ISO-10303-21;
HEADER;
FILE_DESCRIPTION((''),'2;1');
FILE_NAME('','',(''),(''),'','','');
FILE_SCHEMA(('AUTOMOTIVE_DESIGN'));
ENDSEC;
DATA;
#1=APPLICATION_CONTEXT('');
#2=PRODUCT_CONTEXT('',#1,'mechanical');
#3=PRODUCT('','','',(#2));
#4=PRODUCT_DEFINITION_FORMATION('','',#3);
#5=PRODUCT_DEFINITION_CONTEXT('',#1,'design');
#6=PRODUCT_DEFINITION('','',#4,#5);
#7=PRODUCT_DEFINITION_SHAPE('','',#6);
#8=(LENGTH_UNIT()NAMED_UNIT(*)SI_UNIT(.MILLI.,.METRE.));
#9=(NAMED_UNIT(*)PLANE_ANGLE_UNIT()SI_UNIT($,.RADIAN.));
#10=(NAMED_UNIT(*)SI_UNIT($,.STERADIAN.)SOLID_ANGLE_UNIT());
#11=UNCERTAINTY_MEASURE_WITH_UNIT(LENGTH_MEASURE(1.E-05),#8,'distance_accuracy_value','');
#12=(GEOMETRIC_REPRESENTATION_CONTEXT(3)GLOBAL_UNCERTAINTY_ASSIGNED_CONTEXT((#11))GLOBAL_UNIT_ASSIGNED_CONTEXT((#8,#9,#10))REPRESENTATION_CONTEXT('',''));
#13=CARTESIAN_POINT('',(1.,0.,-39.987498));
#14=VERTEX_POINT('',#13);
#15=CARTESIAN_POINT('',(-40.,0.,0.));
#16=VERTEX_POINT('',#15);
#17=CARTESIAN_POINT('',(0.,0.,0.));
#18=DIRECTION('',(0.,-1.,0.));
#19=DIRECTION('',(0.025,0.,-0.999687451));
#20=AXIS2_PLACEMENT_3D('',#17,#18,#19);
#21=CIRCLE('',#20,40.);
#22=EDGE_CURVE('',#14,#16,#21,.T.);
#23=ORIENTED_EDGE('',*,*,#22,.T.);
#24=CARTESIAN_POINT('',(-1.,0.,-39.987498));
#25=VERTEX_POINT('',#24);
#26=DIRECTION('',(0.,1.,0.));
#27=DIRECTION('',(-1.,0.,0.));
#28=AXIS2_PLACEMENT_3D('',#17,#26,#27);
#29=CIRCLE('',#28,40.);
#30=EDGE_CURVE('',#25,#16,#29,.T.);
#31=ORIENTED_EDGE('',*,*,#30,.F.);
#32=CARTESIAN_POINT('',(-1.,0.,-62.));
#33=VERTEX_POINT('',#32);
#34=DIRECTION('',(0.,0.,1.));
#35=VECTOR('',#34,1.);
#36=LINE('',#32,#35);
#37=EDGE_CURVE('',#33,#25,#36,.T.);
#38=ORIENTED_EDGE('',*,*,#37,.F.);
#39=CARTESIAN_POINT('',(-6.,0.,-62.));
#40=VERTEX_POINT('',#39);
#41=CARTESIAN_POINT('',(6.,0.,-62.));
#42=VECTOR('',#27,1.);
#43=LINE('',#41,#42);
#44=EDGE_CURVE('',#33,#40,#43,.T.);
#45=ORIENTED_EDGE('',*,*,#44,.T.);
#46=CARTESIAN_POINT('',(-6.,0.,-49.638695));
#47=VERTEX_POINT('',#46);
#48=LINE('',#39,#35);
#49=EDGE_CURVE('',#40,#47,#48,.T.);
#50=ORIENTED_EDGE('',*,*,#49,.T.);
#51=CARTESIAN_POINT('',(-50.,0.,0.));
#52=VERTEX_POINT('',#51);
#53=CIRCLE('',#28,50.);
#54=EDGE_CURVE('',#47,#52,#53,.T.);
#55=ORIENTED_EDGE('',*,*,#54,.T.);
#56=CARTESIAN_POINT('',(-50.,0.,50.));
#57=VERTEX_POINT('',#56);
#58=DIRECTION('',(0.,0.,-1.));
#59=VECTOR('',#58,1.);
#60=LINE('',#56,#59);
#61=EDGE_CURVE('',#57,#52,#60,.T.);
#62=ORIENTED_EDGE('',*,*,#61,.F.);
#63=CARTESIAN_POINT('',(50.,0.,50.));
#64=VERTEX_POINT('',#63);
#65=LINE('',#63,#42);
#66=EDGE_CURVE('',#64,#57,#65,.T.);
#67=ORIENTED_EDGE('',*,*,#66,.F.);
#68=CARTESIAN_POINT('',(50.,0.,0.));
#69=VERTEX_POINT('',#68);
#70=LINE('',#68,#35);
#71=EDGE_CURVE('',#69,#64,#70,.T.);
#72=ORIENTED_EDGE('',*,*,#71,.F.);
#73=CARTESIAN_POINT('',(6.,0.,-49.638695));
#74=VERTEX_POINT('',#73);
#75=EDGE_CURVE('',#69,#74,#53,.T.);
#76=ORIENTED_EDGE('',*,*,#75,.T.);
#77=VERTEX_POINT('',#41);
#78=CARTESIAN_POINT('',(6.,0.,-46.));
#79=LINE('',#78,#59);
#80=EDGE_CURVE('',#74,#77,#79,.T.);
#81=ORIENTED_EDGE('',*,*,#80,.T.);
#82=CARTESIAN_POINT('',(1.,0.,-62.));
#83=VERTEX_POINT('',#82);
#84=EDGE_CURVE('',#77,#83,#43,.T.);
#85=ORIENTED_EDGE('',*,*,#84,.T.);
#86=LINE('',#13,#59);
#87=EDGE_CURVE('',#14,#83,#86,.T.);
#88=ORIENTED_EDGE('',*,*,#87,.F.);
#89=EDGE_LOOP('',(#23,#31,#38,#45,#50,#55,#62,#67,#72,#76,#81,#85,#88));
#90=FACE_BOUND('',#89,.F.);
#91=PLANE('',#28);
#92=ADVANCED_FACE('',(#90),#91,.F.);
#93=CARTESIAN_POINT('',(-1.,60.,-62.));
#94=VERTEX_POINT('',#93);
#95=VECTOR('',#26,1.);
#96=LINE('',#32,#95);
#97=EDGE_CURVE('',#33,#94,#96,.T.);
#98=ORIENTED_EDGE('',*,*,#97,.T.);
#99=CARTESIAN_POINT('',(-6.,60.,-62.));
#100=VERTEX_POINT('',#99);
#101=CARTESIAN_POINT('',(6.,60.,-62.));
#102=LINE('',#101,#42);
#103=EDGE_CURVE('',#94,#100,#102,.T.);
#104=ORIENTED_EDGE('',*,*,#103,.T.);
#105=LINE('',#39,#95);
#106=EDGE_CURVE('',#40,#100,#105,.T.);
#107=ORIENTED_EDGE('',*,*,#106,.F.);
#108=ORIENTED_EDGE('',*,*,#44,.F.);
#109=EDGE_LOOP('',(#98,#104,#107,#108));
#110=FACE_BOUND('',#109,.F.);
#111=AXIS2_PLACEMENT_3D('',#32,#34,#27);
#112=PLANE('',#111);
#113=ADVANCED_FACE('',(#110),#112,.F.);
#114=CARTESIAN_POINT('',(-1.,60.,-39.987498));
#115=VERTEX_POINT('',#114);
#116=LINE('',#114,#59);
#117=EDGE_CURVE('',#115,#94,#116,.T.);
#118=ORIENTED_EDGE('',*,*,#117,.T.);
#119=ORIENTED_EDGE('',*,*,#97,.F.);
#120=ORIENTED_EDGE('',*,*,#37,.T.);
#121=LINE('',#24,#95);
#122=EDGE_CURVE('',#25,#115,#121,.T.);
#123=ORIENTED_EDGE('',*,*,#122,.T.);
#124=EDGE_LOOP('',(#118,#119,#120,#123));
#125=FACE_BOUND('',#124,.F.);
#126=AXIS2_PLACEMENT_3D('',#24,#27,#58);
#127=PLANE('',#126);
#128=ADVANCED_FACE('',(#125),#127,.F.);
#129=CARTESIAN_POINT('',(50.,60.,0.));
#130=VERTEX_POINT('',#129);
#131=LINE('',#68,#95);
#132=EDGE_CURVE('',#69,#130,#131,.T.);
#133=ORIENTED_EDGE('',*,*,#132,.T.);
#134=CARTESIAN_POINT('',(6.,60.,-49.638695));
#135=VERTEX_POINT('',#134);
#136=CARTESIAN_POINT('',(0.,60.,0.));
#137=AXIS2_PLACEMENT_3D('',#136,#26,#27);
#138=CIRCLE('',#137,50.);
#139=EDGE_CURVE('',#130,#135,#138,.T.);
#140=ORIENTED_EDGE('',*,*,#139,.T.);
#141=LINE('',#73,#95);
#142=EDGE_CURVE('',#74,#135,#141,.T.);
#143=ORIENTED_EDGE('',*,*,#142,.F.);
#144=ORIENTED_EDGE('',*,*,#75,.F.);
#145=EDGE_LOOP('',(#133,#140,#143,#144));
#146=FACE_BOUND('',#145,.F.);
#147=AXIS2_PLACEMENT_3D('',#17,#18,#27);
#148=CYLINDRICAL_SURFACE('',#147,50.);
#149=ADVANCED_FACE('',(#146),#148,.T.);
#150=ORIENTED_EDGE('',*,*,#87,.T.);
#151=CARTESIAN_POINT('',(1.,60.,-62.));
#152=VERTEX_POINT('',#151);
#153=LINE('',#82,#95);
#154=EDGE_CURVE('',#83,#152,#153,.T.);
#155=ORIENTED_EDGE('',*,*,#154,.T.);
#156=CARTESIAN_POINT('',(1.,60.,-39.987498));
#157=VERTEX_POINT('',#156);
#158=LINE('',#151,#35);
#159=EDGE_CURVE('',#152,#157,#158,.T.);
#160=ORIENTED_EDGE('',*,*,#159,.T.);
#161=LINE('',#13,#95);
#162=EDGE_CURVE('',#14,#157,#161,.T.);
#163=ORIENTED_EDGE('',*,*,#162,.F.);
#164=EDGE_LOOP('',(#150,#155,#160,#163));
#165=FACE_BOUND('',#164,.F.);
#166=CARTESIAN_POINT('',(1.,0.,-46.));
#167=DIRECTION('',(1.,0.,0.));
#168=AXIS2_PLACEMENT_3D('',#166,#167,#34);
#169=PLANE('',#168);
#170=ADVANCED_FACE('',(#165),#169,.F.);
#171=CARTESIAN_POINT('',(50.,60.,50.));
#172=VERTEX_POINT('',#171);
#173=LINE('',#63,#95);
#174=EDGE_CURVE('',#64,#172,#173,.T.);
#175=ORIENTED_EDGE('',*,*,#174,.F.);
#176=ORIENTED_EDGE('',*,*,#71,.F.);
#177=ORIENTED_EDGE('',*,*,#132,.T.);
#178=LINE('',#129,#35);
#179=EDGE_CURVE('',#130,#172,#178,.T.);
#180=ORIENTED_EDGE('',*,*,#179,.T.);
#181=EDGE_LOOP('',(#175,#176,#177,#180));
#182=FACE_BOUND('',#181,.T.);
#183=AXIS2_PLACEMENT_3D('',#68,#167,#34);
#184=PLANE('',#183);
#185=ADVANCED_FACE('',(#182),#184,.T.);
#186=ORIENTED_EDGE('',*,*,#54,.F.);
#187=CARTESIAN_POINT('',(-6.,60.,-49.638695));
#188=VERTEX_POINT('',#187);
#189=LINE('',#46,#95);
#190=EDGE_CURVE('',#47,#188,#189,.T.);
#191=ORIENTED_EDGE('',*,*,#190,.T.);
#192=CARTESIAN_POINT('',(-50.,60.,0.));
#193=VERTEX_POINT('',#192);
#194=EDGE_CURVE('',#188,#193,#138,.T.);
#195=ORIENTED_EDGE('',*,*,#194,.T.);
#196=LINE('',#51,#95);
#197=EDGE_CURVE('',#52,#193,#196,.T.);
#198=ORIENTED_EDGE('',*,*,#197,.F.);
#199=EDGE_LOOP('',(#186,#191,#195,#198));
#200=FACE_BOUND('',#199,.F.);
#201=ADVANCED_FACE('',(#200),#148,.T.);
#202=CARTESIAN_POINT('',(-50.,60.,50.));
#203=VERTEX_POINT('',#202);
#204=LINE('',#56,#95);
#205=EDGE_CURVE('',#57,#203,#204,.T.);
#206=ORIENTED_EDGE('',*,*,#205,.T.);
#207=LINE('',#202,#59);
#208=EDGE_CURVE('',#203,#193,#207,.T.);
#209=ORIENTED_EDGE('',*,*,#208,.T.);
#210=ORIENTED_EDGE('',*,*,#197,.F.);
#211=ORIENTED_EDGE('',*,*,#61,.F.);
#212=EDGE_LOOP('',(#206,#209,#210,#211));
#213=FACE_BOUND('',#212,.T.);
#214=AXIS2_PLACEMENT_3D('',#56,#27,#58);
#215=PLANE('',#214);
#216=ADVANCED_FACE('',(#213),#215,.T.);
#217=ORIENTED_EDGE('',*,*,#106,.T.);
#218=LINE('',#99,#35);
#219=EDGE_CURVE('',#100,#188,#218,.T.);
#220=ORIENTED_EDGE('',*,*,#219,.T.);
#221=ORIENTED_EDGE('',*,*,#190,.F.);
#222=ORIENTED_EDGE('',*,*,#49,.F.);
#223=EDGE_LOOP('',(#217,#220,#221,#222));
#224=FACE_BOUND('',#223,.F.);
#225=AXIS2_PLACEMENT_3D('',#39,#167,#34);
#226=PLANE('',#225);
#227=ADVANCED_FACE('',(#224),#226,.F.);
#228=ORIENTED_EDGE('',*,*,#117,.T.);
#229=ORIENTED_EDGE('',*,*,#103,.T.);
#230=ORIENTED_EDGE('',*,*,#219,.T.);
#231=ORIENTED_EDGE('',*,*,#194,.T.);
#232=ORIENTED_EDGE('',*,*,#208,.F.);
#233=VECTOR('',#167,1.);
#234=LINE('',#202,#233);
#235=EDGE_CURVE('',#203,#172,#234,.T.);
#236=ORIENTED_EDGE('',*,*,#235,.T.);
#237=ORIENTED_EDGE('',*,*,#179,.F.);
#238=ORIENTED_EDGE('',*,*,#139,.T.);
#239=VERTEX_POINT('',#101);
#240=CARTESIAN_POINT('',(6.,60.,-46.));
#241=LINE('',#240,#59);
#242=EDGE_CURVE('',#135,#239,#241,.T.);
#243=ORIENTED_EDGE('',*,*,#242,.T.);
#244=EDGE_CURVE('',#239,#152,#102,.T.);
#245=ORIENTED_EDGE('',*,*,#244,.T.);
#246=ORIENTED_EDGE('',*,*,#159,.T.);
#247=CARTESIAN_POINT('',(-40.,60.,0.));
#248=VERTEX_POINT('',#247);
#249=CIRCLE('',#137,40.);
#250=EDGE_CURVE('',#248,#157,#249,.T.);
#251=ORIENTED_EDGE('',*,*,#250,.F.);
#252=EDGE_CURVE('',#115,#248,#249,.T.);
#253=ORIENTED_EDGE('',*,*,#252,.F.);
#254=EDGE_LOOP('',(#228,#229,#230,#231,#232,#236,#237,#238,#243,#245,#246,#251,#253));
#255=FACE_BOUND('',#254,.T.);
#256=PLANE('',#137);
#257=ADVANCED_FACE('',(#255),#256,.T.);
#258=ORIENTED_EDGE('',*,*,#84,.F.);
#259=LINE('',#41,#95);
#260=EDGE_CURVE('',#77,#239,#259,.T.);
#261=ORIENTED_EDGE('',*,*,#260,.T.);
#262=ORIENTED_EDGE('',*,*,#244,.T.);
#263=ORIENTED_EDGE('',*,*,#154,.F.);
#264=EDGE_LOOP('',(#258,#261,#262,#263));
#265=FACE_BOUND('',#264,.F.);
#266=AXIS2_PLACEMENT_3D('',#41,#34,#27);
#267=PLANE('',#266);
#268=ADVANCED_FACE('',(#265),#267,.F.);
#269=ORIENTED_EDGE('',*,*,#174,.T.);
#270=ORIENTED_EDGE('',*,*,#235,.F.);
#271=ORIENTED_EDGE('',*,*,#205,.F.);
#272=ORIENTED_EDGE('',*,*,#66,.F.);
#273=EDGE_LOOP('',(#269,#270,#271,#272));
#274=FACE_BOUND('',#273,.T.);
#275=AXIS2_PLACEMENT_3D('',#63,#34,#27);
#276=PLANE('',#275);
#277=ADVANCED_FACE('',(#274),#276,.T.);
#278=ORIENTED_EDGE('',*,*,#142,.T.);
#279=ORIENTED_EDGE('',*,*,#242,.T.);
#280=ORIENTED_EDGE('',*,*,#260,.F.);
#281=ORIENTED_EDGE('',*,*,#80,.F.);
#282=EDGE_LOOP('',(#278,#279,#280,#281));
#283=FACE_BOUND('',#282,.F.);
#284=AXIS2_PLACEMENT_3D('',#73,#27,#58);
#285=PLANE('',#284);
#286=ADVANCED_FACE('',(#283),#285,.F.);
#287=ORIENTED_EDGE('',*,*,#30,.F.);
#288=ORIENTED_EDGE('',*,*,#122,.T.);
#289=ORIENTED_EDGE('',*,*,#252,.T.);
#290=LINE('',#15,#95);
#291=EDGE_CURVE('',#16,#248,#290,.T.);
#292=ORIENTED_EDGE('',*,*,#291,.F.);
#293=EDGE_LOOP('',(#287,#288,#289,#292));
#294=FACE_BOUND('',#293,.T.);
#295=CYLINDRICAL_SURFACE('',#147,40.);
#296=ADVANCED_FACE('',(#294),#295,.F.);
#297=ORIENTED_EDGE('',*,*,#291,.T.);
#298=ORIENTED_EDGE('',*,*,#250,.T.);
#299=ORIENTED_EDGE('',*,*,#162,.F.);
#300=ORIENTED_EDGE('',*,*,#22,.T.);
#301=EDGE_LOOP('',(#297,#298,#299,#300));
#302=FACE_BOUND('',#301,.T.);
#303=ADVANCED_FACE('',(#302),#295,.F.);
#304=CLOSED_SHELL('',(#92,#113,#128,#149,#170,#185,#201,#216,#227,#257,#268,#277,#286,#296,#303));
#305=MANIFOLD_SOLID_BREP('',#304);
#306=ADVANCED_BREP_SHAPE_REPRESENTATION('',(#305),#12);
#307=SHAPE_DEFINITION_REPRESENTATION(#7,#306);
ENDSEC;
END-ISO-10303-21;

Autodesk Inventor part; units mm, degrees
ref_plane "YZ Plane" through (0, 0, 0) normal (1, 0, 0) x (0, 1, 0)
ref_plane "XZ Plane" through (0, 0, 0) normal (0, 1, 0) x (-1, 0, 0)
ref_plane "XY Plane" through (0, 0, 0) normal (0, 0, 1) x (1, 0, 0)
sketch "Sketch1" plane through (0, 0, 0) normal (0, 1, 0) x (-1, 0, 0)
  circle A0 centre (0, 0) radius 50
  circle A1 centre (0, 0) radius 40
  line L0 (50, 0) -> (-50, 0)
  line L1 (-50, 0) -> (-50, 50)
  line L2 (-50, 50) -> (50, 50)
  line L3 (50, 50) -> (50, 0)
  line L4 (6, -46) -> (-6, -46)
  line L5 (-6, -46) -> (-6, -62)
  line L6 (-6, -62) -> (6, -62)
  line L7 (6, -62) -> (6, -46)
  line L8 (1, -64) -> (-1, -64)
  line L9 (-1, -64) -> (-1, -35)
  line L10 (-1, -35) -> (1, -35)
  line L11 (1, -35) -> (1, -64)
  point P0 (1, -39.9875)
  point P1 (1, -62)
  point P2 (6, -49.6387)
  point P3 (-6, -49.6387)
  point P4 (-1, -62)
  point P5 (-1, -39.9875)
  dimension "d0" = 100
extrude "Extrusion1" add sketch "Sketch1" along normal blind 60 contours L0 A1 A0 | A0 L7 L4 L11 A1 L0 | A0 L2 L3 | A0 L1 L2 | L7 L6 L11 A0 | A0 L11 L4 L7 | L0 A1 L9 L4 L5 A0 | L5 L4 L9 A0 | A0 L9 L6 L5
properties part number "MotorClamp"
